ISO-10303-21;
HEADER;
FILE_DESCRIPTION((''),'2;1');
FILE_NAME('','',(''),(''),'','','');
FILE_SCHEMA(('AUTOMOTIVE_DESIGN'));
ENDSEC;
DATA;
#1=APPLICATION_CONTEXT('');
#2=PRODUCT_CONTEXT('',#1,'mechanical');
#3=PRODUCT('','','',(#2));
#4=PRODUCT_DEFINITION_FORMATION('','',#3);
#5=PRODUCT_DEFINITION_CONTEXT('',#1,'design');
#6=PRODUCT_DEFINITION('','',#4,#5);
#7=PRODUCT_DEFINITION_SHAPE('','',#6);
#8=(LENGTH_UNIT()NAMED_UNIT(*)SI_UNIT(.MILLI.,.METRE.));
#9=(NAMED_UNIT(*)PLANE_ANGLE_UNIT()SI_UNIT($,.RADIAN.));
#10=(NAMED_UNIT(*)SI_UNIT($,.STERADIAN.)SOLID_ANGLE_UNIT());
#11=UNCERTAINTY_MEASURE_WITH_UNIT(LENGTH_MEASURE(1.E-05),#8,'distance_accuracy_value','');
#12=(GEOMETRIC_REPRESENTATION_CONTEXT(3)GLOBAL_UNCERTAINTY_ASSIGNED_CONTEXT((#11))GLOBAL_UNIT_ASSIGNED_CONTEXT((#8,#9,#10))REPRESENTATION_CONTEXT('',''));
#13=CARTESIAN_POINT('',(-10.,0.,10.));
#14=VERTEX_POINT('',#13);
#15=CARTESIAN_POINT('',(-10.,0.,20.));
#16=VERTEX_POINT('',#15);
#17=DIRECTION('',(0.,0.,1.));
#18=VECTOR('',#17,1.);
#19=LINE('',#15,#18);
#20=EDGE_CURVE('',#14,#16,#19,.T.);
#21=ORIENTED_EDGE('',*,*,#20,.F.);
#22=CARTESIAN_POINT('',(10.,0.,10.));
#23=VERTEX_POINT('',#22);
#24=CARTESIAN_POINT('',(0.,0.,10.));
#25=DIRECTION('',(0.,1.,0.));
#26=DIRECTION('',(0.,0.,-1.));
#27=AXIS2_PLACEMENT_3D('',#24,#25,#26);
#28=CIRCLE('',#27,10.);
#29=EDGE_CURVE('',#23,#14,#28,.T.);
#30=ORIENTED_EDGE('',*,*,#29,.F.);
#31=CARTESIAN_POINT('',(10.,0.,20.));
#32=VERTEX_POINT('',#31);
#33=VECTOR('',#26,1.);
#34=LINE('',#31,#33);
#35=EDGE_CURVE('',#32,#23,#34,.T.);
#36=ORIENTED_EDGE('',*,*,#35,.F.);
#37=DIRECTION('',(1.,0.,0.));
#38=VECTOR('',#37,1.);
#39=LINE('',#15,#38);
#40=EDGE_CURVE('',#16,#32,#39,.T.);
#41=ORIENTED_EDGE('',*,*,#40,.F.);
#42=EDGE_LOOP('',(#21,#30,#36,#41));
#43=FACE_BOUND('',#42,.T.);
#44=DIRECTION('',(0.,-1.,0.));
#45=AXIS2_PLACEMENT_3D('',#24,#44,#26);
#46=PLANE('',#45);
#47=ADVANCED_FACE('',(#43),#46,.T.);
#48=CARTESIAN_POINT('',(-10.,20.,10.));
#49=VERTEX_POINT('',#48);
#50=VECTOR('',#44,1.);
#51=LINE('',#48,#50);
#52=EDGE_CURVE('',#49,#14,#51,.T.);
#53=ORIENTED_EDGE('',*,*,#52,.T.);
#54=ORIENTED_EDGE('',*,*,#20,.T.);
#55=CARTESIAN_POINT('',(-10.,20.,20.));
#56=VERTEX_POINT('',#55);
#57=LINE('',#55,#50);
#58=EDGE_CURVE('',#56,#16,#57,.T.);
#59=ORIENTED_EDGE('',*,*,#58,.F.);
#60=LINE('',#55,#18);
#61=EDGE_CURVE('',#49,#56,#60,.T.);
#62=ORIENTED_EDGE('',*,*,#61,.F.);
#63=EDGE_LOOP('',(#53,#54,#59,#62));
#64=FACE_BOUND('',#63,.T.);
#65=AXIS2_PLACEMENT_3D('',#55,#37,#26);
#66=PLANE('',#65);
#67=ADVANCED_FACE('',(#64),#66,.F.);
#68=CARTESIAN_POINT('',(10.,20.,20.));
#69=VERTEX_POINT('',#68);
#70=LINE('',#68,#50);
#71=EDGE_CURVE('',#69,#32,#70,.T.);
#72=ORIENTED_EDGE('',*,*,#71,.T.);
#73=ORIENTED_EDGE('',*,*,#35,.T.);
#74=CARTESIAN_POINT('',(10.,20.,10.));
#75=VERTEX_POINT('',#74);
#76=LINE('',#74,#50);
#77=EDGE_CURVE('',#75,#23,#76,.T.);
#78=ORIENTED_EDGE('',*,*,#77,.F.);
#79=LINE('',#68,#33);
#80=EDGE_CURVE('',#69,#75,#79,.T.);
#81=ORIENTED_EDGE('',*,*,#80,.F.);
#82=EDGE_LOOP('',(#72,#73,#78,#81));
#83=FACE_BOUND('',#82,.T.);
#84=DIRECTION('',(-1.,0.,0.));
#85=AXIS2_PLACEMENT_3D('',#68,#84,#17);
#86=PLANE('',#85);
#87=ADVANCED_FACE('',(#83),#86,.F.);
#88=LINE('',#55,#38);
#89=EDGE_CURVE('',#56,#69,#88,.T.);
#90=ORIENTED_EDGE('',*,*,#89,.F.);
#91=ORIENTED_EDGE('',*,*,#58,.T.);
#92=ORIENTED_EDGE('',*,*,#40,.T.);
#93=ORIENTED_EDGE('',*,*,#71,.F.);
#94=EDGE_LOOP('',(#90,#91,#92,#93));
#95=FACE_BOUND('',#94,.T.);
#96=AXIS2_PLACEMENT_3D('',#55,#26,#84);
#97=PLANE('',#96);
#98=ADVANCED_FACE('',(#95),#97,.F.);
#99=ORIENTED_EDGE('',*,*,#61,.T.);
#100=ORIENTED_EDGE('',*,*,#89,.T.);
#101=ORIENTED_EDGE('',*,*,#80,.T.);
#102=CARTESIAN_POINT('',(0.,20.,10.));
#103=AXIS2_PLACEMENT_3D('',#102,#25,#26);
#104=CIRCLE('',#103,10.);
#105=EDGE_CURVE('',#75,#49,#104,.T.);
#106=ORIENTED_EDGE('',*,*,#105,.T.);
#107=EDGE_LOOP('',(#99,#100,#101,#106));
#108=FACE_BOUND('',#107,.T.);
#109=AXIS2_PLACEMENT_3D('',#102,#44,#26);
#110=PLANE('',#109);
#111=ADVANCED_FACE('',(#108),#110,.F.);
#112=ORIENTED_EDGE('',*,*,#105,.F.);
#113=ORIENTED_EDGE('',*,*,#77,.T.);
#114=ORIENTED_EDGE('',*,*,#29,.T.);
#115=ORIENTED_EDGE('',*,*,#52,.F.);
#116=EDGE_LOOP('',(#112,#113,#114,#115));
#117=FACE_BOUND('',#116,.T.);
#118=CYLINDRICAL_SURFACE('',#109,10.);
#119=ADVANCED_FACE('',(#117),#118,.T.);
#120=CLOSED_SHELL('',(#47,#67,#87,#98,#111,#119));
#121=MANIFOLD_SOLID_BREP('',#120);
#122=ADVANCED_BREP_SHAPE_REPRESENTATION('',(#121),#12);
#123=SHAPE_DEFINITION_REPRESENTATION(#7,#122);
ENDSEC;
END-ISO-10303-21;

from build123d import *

# Parameters (mm, degrees)
BOSS_EXTRUDE1_DEPTH = 20


with BuildPart() as part:
    # Sketch1 → Boss-Extrude1 (new body)
    with BuildSketch(Plane(origin=(0, 0, 0), x_dir=(1, 0, 0), z_dir=(0, 1, 0))):
        with BuildLine():
            Line((-10, -20), (10, -20))
            Line((10, -20), (10, -10))
            ThreePointArc((10, -10), (0, 0), (-10, -10))
            Line((-10, -10), (-10, -20))
        make_face()
    extrude(amount=BOSS_EXTRUDE1_DEPTH)


solid = part.part
